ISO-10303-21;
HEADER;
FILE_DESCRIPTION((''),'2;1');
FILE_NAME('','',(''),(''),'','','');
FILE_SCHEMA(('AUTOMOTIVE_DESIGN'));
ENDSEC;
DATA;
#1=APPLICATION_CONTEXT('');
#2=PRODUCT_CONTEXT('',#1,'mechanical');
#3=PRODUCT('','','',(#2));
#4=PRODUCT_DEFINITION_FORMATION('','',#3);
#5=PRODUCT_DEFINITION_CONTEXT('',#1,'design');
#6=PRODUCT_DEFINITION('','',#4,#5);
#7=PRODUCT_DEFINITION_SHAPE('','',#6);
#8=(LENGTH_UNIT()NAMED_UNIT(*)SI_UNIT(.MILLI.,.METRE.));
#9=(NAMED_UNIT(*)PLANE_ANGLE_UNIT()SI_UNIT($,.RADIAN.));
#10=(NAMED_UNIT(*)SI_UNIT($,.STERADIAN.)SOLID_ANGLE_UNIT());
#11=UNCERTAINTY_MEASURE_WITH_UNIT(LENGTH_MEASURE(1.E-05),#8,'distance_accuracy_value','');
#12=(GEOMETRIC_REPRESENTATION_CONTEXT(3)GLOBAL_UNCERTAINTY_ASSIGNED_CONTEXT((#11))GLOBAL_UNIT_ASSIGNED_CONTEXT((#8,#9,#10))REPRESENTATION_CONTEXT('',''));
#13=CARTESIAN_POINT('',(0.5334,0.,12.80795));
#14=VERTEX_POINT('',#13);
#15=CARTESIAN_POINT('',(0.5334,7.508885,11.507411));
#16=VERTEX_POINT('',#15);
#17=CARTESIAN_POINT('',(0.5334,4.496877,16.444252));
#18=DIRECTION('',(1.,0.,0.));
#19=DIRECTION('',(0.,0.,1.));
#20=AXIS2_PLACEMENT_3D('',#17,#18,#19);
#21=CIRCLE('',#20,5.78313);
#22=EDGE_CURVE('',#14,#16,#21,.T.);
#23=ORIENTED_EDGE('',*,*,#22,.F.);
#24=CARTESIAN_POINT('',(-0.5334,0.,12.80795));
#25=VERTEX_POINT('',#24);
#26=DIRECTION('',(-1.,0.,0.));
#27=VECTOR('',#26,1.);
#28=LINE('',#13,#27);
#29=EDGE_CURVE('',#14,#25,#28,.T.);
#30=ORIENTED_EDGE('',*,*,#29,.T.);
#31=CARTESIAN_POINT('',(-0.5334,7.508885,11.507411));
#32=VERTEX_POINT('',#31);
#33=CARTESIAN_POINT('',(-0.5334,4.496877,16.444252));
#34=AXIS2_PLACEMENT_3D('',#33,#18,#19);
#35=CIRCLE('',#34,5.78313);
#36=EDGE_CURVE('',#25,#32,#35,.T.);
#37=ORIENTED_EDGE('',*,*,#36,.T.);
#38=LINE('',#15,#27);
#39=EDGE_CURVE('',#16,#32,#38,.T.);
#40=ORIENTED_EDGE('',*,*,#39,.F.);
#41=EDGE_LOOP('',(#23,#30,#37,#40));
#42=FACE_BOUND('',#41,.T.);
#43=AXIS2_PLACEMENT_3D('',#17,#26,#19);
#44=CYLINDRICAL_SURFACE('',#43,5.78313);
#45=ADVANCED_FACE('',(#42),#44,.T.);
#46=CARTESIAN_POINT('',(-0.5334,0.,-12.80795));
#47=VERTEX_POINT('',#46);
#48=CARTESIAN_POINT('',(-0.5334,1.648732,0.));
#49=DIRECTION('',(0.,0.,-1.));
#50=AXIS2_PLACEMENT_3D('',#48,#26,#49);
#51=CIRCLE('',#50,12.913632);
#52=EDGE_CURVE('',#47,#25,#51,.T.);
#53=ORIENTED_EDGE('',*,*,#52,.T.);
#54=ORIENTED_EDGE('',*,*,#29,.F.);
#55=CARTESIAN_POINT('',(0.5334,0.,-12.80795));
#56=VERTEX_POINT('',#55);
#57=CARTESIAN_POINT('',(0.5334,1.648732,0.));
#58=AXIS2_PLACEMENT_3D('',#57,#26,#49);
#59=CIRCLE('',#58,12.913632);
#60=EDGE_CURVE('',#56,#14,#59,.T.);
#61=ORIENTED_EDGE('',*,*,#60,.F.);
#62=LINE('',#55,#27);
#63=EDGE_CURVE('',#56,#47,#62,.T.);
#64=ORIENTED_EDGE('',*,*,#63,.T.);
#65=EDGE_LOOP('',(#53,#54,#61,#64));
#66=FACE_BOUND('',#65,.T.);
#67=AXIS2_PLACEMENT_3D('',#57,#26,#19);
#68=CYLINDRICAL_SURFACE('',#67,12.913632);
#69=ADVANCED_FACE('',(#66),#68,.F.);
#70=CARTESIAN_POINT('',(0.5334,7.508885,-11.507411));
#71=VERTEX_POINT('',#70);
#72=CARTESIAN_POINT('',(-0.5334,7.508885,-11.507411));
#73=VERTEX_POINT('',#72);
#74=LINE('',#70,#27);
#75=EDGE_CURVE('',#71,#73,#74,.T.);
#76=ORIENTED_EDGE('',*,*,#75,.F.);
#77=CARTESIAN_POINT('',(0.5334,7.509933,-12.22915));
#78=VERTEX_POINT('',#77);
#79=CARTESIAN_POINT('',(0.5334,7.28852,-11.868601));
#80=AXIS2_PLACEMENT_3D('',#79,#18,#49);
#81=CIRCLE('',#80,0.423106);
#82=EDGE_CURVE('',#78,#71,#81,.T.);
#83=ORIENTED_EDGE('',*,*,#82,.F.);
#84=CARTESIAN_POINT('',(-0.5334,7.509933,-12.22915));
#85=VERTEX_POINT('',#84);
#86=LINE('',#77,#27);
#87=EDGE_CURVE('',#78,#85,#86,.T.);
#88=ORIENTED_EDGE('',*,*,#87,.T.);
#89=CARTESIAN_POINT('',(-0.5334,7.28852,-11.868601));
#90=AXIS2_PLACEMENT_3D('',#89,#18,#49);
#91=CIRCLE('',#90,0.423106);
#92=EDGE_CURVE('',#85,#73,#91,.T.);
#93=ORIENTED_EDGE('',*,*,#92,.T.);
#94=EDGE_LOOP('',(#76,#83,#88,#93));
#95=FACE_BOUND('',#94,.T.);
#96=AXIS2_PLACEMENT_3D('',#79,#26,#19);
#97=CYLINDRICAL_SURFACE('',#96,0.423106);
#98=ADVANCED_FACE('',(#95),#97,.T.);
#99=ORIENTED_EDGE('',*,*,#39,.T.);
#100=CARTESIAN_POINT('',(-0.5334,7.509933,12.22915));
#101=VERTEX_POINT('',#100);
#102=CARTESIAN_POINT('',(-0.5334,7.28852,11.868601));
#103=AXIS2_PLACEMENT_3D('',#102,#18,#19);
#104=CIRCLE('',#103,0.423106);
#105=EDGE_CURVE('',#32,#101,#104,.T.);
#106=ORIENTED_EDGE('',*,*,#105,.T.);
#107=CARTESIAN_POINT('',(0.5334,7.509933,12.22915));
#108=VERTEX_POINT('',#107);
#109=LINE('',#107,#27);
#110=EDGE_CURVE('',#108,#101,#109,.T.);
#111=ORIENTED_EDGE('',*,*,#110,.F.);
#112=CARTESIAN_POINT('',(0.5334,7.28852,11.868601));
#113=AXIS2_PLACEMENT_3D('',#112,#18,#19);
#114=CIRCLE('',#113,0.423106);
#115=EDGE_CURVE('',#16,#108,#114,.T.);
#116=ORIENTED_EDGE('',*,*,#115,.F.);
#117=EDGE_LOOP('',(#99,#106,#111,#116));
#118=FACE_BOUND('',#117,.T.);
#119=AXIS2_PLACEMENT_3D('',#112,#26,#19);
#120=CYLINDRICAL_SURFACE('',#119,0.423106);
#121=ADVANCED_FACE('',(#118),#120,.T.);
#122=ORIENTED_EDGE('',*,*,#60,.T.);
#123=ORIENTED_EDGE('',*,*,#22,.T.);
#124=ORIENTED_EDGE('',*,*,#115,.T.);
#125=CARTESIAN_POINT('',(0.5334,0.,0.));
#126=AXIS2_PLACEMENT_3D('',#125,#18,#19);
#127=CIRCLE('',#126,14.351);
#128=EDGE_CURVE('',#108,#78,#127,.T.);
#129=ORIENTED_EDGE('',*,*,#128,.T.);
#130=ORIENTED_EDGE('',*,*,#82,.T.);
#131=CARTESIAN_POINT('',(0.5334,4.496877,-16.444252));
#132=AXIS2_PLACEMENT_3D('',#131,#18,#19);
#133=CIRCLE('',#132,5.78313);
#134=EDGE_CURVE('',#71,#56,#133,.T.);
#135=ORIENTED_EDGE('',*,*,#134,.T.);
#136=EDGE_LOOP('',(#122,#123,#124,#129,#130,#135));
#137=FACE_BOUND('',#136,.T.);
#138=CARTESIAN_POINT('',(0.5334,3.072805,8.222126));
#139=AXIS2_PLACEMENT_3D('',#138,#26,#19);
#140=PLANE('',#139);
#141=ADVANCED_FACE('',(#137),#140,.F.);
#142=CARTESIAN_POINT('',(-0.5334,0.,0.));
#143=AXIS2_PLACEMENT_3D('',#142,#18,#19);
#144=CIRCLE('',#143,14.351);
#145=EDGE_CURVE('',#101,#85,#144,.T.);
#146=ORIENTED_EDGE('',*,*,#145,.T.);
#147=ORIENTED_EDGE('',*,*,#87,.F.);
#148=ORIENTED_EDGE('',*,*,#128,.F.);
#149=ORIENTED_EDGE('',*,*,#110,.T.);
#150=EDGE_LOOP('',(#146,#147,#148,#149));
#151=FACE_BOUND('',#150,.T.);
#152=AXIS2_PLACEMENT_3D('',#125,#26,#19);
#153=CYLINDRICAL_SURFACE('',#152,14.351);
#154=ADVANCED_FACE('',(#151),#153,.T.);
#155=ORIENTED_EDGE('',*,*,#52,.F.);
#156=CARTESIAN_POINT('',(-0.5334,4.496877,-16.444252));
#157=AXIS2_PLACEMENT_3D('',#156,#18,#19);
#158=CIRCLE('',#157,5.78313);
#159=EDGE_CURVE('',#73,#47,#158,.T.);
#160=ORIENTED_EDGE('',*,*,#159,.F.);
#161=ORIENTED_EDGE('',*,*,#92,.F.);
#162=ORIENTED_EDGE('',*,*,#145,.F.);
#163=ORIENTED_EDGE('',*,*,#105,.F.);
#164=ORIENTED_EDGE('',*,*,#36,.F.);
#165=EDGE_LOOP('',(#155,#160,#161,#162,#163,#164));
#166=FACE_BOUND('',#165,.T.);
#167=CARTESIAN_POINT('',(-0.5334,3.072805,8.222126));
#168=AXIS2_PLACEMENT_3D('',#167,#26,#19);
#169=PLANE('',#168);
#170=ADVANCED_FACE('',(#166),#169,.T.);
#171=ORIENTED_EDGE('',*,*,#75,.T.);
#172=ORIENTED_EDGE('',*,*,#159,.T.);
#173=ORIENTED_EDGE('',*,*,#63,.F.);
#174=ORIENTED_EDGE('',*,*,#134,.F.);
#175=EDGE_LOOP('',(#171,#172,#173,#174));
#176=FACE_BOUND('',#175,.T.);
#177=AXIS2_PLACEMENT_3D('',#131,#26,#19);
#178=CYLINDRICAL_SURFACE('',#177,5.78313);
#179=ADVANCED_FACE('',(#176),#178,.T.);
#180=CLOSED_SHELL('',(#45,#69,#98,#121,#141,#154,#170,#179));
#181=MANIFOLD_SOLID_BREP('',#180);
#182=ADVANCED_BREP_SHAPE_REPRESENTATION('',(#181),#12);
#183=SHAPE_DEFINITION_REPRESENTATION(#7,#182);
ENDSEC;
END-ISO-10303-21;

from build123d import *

# Parameters (mm, degrees)
EXTRUDE1_DEPTH = 0.5334


with BuildPart() as part:
    # Sketch1 → Extrude1 (new, symmetric)
    with BuildSketch(Plane(origin=(0, 0, 0), x_dir=(0, 0, -1), z_dir=(1, 0, 0))):
        with BuildLine():
            ThreePointArc((-12.80795, 0), (0, -11.2649), (12.80795, 0))
            ThreePointArc((12.80795, 0), (10.74595989, 3.509932598), (11.507411117, 7.508885221))
            ThreePointArc((11.507411117, 7.508885221), (11.867986747, 7.711626094), (12.229149698, 7.509933333))
            ThreePointArc((12.229149698, 7.509933333), (0, -14.351), (-12.229149698, 7.509933333))
            ThreePointArc((-12.229149698, 7.509933333), (-11.867986747, 7.711626094), (-11.507411117, 7.508885221))
            ThreePointArc((-11.507411117, 7.508885221), (-10.74595989, 3.509932598), (-12.80795, 0))
        make_face()
    extrude(amount=EXTRUDE1_DEPTH, both=True)


solid = part.part
